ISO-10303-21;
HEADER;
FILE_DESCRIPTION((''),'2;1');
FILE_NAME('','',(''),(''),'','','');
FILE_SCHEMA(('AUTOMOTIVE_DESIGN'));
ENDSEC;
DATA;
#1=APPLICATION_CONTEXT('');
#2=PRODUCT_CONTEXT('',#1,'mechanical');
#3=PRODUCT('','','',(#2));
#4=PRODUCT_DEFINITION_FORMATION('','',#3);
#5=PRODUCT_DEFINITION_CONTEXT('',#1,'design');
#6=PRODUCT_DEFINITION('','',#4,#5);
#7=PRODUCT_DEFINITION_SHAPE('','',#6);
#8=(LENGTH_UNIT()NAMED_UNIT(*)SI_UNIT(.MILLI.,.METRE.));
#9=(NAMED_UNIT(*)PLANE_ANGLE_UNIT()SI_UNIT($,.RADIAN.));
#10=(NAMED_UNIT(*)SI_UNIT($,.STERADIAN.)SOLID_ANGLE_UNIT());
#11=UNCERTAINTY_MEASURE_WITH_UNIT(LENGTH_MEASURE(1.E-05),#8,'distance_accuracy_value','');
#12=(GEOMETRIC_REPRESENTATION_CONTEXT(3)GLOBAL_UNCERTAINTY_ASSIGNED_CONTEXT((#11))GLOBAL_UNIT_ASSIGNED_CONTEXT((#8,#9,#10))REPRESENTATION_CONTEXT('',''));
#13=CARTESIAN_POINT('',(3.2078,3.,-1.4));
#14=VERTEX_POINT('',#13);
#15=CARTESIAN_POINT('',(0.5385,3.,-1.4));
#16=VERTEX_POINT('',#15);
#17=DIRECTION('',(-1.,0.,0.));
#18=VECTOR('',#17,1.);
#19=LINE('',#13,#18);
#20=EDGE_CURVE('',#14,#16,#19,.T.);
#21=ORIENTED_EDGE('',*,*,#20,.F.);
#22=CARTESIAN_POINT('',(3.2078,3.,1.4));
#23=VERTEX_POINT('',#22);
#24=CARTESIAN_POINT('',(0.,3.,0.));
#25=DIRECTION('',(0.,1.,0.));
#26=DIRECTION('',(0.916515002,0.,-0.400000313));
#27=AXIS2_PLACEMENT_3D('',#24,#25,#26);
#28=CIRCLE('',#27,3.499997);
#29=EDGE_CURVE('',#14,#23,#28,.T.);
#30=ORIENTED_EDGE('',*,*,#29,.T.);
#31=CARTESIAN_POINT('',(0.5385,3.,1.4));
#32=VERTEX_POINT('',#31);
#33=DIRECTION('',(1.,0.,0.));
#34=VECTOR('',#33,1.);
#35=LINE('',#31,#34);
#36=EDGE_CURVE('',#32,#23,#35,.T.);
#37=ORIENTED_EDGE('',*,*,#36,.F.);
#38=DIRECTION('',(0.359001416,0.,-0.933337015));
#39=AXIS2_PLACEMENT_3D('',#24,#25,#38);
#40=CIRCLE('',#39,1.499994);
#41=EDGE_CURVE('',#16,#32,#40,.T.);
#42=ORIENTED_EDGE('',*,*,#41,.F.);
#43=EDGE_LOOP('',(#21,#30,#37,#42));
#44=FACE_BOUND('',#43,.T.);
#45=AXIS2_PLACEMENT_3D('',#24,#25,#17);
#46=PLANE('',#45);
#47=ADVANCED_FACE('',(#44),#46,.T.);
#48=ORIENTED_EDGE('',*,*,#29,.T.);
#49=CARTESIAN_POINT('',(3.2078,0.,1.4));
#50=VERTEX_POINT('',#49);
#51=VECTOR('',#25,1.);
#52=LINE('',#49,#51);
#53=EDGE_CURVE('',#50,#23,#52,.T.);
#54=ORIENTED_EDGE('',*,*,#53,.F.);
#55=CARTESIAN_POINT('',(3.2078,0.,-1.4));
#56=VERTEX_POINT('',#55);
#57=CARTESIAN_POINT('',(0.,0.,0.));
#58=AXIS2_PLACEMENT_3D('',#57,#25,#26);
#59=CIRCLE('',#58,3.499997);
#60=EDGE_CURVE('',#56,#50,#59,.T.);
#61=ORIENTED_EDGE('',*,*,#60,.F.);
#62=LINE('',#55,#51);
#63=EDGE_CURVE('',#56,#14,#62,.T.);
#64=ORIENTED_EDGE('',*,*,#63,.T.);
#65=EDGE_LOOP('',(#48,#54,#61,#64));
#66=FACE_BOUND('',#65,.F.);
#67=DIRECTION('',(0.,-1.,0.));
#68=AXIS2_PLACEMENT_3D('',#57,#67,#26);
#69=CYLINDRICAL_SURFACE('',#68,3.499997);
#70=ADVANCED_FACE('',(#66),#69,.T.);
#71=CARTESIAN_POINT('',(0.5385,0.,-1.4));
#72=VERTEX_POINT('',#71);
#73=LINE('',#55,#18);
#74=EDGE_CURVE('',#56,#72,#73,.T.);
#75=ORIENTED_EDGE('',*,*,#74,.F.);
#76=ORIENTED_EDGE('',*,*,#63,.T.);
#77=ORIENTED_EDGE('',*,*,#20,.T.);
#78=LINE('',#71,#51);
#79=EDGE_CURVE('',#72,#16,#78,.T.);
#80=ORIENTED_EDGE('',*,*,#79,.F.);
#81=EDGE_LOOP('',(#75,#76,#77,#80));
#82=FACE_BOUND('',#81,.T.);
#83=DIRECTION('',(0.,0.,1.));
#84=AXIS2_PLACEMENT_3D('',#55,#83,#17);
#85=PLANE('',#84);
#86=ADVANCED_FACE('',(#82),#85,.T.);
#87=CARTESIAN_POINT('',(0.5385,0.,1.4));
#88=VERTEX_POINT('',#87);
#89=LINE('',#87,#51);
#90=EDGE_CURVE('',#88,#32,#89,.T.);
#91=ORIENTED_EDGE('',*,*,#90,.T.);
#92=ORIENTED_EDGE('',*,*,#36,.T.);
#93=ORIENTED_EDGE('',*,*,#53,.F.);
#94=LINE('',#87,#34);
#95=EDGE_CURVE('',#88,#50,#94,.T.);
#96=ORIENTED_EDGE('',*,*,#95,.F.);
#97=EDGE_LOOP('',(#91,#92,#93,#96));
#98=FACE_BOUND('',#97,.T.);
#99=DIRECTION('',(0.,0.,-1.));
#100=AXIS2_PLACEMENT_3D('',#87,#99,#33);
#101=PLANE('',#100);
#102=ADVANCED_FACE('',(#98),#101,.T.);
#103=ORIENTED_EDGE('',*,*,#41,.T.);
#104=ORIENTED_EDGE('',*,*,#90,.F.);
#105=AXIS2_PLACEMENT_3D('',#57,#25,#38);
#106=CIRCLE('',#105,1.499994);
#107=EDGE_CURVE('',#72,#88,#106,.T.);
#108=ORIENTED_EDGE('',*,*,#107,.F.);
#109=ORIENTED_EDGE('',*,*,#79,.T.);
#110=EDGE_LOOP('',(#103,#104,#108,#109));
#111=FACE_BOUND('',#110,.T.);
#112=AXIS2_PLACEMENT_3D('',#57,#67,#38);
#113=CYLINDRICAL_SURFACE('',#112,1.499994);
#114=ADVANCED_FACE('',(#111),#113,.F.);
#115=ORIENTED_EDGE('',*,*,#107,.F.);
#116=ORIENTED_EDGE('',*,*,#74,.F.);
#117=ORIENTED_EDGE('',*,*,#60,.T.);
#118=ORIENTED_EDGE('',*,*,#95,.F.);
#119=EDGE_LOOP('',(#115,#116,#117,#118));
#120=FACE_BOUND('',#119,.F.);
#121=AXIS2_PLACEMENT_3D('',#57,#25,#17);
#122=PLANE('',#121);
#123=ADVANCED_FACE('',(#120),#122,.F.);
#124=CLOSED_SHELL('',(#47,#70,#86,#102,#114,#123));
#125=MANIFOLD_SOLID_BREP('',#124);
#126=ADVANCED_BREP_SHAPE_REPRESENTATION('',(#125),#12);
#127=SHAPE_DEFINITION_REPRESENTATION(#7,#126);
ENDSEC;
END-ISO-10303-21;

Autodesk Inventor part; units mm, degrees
ref_plane "YZ Plane" through (0, 0, 0) normal (1, 0, 0) x (0, 1, 0)
ref_plane "XZ Plane" through (0, 0, 0) normal (0, 1, 0) x (-1, 0, 0)
ref_plane "XY Plane" through (0, 0, 0) normal (0, 0, 1) x (1, 0, 0)
sketch "Sketch1" plane through (0, 0, 0) normal (0, 1, 0) x (-1, 0, 0)
  line L0 (-0.5385, 1.4) -> (-3.2078, 1.4)
  line L1 (-7.0269, 1.4) -> (-7.0269, -1.4)
  line L2 (-3.2078, -1.4) -> (-0.5385, -1.4)
  line L3 (-0.5385, 1.4) -> (-7.0269, -1.4) construction
  line L4 (-7.0269, 1.4) -> (-0.5385, -1.4) construction
  arc A0 (-0.5385, -1.4) -> (-0.5385, 1.4) centre (0, 0) ccw
  arc A1 (-3.2078, -1.4) -> (-3.2078, 1.4) centre (0, 0) ccw
  point P0 (-3.7827, 0)
  dimension "d1" = 2.8
  dimension "d2" = 1.5
extrude "Extrusion1" add sketch "Sketch1" along normal blind 3
properties part number "500-160" material "ABS Plastic"
